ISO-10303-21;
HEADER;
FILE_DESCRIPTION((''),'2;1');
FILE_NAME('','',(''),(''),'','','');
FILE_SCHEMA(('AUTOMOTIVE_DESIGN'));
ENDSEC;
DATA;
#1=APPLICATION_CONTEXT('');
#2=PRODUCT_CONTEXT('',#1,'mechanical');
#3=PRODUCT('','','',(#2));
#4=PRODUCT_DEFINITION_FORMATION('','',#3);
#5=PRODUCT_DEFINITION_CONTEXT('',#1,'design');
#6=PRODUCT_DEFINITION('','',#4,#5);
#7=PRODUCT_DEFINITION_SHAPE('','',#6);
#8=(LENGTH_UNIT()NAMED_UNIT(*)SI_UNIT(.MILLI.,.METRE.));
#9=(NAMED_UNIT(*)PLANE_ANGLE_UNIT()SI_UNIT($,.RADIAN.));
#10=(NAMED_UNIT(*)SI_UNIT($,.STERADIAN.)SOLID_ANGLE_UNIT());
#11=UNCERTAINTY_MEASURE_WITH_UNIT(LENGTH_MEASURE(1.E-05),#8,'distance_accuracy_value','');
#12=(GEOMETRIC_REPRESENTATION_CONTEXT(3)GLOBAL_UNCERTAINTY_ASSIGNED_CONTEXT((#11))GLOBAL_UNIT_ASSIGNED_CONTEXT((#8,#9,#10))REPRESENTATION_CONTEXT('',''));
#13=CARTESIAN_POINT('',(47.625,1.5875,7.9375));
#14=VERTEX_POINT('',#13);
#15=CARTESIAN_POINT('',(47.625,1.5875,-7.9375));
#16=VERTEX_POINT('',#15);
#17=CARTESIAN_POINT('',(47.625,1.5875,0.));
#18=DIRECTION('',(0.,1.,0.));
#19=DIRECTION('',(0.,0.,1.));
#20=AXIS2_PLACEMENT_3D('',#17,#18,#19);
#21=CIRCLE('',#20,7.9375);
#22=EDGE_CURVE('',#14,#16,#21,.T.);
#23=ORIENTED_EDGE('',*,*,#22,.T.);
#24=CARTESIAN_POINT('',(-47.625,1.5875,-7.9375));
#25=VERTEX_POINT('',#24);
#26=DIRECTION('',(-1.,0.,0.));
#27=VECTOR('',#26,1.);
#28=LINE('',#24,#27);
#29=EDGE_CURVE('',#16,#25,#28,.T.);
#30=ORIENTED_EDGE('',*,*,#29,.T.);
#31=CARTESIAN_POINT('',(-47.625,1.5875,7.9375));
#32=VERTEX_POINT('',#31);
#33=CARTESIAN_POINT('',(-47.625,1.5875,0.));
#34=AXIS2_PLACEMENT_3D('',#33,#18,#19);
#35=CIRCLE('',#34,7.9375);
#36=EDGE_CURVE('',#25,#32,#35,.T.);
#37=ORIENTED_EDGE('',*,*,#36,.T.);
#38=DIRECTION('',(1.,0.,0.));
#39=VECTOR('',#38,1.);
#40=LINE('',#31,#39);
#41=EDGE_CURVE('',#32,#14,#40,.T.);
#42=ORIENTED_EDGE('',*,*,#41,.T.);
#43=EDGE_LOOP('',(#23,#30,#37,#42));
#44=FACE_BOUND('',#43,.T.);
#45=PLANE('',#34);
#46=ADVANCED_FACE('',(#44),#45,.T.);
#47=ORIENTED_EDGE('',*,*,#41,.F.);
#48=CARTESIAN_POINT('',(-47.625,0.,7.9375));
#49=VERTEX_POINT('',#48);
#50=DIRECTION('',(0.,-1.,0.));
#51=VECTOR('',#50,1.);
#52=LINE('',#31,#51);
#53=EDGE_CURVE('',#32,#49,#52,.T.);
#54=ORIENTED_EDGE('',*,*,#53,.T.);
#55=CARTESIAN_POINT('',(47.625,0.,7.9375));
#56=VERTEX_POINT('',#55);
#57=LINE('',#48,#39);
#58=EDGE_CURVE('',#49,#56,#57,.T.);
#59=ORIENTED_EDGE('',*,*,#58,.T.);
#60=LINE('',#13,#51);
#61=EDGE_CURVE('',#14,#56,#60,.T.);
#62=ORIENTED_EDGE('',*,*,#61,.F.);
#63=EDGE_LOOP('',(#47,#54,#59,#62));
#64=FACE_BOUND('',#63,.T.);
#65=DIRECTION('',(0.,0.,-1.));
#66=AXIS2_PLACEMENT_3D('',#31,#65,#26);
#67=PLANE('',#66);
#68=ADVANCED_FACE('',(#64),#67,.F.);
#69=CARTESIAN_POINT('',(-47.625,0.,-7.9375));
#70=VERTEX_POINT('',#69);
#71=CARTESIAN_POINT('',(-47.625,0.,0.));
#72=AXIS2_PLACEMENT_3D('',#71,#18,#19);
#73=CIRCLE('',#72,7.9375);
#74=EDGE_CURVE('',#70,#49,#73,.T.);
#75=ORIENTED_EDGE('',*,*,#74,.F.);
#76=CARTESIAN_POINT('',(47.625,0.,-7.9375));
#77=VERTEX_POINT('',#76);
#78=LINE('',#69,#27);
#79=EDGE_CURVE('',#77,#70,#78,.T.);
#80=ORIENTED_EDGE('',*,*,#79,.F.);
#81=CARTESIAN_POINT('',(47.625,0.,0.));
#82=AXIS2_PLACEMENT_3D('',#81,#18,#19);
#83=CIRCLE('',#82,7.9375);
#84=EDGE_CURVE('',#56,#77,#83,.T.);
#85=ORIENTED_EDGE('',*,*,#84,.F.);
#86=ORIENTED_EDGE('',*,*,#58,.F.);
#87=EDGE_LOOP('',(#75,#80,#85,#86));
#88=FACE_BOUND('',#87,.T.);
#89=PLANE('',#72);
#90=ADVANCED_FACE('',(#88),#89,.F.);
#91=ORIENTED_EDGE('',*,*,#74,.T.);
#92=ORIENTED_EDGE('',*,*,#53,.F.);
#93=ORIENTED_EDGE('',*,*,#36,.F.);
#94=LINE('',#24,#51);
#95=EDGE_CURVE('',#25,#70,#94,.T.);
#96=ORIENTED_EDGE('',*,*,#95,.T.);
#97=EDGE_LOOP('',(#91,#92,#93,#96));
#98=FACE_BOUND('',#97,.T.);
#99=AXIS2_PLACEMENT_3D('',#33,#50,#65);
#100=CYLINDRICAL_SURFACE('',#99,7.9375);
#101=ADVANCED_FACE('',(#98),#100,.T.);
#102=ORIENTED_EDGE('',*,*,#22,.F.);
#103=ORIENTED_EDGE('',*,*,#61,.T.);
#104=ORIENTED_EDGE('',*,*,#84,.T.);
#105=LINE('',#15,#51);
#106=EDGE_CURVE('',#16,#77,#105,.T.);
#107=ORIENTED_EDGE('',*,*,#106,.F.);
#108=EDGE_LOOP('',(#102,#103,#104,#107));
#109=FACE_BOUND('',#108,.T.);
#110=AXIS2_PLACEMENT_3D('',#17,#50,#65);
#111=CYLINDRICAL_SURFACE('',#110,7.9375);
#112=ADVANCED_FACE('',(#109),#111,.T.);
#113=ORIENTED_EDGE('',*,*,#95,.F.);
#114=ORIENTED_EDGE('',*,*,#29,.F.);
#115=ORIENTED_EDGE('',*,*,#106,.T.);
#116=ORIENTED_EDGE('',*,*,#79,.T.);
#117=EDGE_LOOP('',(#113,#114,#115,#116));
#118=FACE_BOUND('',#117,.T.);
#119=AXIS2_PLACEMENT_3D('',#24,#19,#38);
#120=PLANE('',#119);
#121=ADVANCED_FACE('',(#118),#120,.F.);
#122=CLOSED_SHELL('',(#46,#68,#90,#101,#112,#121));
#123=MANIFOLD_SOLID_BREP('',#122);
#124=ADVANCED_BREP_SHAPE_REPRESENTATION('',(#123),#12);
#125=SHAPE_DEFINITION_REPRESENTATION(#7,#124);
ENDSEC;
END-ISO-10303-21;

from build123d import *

# Parameters (mm, degrees)
BOSS_EXTRUDE1_DEPTH = 1.5875


with BuildPart() as part:
    # Sketch1 → Boss-Extrude1 (new body)
    with BuildSketch(Plane(origin=(0, 0, 0), x_dir=(1, 0, 0), z_dir=(0, 1, 0))):
        with BuildLine():
            Line((-47.625, 7.9375), (47.625, 7.9375))
            ThreePointArc((47.625, 7.9375), (55.5625, 0), (47.625, -7.9375))
            Line((47.625, -7.9375), (-47.625, -7.9375))
            ThreePointArc((-47.625, -7.9375), (-55.5625, 0), (-47.625, 7.9375))
        make_face()
    extrude(amount=BOSS_EXTRUDE1_DEPTH)


solid = part.part
